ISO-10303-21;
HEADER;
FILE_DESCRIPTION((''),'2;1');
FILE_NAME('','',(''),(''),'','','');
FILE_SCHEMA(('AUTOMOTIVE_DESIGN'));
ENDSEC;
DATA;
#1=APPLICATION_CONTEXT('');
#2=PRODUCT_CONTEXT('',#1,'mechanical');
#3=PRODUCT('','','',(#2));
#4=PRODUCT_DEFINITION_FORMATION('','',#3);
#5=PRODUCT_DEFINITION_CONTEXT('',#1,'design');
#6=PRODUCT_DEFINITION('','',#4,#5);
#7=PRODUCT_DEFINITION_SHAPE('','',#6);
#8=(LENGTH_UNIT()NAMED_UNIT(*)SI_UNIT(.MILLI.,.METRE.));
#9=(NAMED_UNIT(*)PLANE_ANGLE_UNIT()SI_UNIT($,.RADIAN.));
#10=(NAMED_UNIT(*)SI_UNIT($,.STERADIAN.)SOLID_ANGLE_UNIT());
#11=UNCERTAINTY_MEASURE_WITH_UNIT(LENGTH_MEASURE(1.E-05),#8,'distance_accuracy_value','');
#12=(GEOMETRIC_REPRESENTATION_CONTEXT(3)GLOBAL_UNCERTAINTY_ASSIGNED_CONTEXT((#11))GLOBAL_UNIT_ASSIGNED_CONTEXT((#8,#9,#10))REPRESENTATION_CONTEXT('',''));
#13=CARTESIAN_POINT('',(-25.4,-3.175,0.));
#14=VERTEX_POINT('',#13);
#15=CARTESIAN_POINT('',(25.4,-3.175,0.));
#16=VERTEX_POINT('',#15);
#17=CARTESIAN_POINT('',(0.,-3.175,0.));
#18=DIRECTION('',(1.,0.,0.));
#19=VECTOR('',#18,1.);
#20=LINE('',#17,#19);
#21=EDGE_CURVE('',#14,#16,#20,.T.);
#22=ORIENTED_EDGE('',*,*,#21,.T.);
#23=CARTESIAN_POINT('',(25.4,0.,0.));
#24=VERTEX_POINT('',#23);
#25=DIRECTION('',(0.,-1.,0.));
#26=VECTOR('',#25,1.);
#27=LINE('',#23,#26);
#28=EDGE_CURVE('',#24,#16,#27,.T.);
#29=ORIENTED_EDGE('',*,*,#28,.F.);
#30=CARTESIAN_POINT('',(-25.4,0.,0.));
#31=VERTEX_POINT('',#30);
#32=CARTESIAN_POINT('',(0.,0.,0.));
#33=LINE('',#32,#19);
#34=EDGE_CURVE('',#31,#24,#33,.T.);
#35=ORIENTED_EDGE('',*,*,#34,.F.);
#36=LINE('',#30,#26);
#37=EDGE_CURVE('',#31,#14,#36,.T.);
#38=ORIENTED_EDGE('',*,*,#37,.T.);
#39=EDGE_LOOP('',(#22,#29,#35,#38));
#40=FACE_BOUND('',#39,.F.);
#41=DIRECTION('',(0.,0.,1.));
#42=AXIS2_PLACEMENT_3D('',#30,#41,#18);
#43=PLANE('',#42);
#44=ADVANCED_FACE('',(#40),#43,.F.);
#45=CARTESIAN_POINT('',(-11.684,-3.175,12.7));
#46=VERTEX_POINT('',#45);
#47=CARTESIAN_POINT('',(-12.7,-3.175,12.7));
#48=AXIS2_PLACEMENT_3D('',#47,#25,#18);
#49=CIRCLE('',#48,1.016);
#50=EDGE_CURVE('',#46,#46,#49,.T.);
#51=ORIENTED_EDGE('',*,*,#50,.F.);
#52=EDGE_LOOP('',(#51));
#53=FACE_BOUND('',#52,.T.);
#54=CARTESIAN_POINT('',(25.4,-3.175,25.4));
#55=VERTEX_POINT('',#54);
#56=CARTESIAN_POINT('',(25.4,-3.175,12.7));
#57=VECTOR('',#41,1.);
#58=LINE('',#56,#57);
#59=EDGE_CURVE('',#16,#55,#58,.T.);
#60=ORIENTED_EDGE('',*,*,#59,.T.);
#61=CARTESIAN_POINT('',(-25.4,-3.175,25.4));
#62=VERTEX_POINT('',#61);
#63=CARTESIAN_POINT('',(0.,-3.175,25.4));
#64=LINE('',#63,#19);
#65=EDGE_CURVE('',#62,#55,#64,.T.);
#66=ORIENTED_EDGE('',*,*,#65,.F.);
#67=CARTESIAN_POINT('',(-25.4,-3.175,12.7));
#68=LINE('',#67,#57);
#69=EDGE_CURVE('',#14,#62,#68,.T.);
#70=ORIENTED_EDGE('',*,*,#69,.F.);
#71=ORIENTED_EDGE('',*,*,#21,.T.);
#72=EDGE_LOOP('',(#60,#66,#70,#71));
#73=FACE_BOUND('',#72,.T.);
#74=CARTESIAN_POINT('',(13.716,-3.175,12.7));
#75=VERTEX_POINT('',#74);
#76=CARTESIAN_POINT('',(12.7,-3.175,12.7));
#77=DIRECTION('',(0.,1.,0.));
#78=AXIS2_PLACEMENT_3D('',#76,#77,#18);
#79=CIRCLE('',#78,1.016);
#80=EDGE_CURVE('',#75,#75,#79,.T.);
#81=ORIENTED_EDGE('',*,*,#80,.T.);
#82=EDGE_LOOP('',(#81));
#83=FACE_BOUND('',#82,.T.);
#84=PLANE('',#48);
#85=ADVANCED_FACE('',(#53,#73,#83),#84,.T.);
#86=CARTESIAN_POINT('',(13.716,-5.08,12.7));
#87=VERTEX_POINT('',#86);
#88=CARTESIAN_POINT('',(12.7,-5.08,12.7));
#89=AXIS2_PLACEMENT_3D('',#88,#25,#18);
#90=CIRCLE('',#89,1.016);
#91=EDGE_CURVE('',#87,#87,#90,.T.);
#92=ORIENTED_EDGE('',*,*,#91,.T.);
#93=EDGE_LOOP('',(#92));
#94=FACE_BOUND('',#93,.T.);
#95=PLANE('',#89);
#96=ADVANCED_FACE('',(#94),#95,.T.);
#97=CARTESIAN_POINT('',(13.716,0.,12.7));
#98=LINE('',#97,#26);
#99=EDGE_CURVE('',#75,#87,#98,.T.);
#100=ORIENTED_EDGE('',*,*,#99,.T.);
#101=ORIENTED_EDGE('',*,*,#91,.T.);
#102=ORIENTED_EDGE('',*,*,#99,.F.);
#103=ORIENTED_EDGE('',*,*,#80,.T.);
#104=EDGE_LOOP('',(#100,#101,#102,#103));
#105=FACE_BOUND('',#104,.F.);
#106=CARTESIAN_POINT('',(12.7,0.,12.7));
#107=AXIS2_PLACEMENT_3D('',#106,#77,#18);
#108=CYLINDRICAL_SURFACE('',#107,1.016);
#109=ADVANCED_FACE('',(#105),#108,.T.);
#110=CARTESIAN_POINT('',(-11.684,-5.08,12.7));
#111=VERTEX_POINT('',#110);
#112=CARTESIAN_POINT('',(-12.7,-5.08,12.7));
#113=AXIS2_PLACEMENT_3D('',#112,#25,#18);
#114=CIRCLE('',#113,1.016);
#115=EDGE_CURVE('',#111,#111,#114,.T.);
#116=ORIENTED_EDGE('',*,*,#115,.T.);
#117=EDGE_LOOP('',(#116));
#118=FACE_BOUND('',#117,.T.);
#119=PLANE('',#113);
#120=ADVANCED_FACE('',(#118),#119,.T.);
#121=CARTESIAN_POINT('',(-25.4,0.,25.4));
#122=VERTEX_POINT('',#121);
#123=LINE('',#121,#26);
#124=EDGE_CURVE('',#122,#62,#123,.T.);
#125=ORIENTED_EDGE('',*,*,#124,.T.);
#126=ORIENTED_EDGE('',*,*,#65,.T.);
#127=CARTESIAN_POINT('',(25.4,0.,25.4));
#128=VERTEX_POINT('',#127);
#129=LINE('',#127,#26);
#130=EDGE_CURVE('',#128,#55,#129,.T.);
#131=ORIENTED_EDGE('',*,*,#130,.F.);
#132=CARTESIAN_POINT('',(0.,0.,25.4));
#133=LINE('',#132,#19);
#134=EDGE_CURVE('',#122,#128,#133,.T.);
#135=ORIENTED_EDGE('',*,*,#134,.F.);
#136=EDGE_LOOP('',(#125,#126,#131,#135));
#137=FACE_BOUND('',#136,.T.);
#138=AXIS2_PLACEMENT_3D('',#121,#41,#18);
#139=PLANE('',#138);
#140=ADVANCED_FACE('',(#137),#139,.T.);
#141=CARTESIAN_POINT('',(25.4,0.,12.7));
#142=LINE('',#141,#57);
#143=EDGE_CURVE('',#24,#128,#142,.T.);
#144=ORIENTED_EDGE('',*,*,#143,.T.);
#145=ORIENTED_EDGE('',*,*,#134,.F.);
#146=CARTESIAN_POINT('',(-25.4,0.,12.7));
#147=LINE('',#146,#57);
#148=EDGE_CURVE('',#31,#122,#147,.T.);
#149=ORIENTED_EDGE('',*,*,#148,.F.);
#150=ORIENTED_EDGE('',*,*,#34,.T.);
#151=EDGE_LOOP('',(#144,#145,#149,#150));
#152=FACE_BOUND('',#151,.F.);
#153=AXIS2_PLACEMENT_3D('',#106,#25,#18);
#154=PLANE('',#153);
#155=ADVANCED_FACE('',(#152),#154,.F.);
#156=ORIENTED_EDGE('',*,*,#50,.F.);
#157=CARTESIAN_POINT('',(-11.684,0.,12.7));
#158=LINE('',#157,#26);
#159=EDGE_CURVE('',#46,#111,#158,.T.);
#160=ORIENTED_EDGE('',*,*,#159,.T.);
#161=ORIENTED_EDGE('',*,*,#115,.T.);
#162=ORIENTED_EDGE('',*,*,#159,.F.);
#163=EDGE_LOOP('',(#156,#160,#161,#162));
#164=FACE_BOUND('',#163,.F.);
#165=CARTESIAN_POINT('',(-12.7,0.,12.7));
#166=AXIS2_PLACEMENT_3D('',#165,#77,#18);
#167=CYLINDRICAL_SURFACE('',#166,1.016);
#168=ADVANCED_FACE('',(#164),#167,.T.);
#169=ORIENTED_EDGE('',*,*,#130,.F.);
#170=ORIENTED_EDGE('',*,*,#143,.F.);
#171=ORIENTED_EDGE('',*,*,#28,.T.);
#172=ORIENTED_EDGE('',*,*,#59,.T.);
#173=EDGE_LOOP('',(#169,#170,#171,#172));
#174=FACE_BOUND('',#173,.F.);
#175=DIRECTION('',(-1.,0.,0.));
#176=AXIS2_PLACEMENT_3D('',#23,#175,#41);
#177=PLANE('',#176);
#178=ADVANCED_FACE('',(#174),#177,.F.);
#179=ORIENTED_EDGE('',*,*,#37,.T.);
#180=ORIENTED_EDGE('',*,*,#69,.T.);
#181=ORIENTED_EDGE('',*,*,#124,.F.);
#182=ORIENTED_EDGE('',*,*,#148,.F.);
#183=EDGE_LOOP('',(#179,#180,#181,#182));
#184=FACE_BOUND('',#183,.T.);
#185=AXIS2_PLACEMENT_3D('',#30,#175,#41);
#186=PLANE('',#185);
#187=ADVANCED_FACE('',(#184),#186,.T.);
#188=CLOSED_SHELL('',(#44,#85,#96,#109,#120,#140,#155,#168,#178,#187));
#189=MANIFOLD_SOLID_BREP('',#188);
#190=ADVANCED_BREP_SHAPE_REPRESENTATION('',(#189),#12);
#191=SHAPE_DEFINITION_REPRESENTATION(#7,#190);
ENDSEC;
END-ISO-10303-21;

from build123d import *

# Parameters (mm, degrees)
F0_R     = 1.016
F0_W     = 50.8
F0_H     = 25.4
F1_DEPTH = 3.175
F2_DEPTH = 5.08


with BuildPart() as f1:
    # F0 (on Front) → F1 (new body)
    with BuildSketch(Plane.XZ):
        with Locations((-12.7, 12.7)):
            Circle(F0_R)
        with Locations((0, 12.7)):
            Rectangle(F0_W, F0_H)
        with Locations((-12.7, 12.7)):
            Circle(F0_R, mode=Mode.SUBTRACT)
        with Locations((12.7, 12.7)):
            Circle(F0_R, mode=Mode.SUBTRACT)
        with Locations((12.7, 12.7)):
            Circle(F0_R)
    extrude(amount=F1_DEPTH)

    # F0 (on Front) → F2 (join)
    with BuildSketch(Plane.XZ):
        with Locations((12.7, 12.7)):
            Circle(F0_R)
        with Locations((-12.7, 12.7)):
            Circle(F0_R)
    extrude(amount=F2_DEPTH)


solid = f1.part
